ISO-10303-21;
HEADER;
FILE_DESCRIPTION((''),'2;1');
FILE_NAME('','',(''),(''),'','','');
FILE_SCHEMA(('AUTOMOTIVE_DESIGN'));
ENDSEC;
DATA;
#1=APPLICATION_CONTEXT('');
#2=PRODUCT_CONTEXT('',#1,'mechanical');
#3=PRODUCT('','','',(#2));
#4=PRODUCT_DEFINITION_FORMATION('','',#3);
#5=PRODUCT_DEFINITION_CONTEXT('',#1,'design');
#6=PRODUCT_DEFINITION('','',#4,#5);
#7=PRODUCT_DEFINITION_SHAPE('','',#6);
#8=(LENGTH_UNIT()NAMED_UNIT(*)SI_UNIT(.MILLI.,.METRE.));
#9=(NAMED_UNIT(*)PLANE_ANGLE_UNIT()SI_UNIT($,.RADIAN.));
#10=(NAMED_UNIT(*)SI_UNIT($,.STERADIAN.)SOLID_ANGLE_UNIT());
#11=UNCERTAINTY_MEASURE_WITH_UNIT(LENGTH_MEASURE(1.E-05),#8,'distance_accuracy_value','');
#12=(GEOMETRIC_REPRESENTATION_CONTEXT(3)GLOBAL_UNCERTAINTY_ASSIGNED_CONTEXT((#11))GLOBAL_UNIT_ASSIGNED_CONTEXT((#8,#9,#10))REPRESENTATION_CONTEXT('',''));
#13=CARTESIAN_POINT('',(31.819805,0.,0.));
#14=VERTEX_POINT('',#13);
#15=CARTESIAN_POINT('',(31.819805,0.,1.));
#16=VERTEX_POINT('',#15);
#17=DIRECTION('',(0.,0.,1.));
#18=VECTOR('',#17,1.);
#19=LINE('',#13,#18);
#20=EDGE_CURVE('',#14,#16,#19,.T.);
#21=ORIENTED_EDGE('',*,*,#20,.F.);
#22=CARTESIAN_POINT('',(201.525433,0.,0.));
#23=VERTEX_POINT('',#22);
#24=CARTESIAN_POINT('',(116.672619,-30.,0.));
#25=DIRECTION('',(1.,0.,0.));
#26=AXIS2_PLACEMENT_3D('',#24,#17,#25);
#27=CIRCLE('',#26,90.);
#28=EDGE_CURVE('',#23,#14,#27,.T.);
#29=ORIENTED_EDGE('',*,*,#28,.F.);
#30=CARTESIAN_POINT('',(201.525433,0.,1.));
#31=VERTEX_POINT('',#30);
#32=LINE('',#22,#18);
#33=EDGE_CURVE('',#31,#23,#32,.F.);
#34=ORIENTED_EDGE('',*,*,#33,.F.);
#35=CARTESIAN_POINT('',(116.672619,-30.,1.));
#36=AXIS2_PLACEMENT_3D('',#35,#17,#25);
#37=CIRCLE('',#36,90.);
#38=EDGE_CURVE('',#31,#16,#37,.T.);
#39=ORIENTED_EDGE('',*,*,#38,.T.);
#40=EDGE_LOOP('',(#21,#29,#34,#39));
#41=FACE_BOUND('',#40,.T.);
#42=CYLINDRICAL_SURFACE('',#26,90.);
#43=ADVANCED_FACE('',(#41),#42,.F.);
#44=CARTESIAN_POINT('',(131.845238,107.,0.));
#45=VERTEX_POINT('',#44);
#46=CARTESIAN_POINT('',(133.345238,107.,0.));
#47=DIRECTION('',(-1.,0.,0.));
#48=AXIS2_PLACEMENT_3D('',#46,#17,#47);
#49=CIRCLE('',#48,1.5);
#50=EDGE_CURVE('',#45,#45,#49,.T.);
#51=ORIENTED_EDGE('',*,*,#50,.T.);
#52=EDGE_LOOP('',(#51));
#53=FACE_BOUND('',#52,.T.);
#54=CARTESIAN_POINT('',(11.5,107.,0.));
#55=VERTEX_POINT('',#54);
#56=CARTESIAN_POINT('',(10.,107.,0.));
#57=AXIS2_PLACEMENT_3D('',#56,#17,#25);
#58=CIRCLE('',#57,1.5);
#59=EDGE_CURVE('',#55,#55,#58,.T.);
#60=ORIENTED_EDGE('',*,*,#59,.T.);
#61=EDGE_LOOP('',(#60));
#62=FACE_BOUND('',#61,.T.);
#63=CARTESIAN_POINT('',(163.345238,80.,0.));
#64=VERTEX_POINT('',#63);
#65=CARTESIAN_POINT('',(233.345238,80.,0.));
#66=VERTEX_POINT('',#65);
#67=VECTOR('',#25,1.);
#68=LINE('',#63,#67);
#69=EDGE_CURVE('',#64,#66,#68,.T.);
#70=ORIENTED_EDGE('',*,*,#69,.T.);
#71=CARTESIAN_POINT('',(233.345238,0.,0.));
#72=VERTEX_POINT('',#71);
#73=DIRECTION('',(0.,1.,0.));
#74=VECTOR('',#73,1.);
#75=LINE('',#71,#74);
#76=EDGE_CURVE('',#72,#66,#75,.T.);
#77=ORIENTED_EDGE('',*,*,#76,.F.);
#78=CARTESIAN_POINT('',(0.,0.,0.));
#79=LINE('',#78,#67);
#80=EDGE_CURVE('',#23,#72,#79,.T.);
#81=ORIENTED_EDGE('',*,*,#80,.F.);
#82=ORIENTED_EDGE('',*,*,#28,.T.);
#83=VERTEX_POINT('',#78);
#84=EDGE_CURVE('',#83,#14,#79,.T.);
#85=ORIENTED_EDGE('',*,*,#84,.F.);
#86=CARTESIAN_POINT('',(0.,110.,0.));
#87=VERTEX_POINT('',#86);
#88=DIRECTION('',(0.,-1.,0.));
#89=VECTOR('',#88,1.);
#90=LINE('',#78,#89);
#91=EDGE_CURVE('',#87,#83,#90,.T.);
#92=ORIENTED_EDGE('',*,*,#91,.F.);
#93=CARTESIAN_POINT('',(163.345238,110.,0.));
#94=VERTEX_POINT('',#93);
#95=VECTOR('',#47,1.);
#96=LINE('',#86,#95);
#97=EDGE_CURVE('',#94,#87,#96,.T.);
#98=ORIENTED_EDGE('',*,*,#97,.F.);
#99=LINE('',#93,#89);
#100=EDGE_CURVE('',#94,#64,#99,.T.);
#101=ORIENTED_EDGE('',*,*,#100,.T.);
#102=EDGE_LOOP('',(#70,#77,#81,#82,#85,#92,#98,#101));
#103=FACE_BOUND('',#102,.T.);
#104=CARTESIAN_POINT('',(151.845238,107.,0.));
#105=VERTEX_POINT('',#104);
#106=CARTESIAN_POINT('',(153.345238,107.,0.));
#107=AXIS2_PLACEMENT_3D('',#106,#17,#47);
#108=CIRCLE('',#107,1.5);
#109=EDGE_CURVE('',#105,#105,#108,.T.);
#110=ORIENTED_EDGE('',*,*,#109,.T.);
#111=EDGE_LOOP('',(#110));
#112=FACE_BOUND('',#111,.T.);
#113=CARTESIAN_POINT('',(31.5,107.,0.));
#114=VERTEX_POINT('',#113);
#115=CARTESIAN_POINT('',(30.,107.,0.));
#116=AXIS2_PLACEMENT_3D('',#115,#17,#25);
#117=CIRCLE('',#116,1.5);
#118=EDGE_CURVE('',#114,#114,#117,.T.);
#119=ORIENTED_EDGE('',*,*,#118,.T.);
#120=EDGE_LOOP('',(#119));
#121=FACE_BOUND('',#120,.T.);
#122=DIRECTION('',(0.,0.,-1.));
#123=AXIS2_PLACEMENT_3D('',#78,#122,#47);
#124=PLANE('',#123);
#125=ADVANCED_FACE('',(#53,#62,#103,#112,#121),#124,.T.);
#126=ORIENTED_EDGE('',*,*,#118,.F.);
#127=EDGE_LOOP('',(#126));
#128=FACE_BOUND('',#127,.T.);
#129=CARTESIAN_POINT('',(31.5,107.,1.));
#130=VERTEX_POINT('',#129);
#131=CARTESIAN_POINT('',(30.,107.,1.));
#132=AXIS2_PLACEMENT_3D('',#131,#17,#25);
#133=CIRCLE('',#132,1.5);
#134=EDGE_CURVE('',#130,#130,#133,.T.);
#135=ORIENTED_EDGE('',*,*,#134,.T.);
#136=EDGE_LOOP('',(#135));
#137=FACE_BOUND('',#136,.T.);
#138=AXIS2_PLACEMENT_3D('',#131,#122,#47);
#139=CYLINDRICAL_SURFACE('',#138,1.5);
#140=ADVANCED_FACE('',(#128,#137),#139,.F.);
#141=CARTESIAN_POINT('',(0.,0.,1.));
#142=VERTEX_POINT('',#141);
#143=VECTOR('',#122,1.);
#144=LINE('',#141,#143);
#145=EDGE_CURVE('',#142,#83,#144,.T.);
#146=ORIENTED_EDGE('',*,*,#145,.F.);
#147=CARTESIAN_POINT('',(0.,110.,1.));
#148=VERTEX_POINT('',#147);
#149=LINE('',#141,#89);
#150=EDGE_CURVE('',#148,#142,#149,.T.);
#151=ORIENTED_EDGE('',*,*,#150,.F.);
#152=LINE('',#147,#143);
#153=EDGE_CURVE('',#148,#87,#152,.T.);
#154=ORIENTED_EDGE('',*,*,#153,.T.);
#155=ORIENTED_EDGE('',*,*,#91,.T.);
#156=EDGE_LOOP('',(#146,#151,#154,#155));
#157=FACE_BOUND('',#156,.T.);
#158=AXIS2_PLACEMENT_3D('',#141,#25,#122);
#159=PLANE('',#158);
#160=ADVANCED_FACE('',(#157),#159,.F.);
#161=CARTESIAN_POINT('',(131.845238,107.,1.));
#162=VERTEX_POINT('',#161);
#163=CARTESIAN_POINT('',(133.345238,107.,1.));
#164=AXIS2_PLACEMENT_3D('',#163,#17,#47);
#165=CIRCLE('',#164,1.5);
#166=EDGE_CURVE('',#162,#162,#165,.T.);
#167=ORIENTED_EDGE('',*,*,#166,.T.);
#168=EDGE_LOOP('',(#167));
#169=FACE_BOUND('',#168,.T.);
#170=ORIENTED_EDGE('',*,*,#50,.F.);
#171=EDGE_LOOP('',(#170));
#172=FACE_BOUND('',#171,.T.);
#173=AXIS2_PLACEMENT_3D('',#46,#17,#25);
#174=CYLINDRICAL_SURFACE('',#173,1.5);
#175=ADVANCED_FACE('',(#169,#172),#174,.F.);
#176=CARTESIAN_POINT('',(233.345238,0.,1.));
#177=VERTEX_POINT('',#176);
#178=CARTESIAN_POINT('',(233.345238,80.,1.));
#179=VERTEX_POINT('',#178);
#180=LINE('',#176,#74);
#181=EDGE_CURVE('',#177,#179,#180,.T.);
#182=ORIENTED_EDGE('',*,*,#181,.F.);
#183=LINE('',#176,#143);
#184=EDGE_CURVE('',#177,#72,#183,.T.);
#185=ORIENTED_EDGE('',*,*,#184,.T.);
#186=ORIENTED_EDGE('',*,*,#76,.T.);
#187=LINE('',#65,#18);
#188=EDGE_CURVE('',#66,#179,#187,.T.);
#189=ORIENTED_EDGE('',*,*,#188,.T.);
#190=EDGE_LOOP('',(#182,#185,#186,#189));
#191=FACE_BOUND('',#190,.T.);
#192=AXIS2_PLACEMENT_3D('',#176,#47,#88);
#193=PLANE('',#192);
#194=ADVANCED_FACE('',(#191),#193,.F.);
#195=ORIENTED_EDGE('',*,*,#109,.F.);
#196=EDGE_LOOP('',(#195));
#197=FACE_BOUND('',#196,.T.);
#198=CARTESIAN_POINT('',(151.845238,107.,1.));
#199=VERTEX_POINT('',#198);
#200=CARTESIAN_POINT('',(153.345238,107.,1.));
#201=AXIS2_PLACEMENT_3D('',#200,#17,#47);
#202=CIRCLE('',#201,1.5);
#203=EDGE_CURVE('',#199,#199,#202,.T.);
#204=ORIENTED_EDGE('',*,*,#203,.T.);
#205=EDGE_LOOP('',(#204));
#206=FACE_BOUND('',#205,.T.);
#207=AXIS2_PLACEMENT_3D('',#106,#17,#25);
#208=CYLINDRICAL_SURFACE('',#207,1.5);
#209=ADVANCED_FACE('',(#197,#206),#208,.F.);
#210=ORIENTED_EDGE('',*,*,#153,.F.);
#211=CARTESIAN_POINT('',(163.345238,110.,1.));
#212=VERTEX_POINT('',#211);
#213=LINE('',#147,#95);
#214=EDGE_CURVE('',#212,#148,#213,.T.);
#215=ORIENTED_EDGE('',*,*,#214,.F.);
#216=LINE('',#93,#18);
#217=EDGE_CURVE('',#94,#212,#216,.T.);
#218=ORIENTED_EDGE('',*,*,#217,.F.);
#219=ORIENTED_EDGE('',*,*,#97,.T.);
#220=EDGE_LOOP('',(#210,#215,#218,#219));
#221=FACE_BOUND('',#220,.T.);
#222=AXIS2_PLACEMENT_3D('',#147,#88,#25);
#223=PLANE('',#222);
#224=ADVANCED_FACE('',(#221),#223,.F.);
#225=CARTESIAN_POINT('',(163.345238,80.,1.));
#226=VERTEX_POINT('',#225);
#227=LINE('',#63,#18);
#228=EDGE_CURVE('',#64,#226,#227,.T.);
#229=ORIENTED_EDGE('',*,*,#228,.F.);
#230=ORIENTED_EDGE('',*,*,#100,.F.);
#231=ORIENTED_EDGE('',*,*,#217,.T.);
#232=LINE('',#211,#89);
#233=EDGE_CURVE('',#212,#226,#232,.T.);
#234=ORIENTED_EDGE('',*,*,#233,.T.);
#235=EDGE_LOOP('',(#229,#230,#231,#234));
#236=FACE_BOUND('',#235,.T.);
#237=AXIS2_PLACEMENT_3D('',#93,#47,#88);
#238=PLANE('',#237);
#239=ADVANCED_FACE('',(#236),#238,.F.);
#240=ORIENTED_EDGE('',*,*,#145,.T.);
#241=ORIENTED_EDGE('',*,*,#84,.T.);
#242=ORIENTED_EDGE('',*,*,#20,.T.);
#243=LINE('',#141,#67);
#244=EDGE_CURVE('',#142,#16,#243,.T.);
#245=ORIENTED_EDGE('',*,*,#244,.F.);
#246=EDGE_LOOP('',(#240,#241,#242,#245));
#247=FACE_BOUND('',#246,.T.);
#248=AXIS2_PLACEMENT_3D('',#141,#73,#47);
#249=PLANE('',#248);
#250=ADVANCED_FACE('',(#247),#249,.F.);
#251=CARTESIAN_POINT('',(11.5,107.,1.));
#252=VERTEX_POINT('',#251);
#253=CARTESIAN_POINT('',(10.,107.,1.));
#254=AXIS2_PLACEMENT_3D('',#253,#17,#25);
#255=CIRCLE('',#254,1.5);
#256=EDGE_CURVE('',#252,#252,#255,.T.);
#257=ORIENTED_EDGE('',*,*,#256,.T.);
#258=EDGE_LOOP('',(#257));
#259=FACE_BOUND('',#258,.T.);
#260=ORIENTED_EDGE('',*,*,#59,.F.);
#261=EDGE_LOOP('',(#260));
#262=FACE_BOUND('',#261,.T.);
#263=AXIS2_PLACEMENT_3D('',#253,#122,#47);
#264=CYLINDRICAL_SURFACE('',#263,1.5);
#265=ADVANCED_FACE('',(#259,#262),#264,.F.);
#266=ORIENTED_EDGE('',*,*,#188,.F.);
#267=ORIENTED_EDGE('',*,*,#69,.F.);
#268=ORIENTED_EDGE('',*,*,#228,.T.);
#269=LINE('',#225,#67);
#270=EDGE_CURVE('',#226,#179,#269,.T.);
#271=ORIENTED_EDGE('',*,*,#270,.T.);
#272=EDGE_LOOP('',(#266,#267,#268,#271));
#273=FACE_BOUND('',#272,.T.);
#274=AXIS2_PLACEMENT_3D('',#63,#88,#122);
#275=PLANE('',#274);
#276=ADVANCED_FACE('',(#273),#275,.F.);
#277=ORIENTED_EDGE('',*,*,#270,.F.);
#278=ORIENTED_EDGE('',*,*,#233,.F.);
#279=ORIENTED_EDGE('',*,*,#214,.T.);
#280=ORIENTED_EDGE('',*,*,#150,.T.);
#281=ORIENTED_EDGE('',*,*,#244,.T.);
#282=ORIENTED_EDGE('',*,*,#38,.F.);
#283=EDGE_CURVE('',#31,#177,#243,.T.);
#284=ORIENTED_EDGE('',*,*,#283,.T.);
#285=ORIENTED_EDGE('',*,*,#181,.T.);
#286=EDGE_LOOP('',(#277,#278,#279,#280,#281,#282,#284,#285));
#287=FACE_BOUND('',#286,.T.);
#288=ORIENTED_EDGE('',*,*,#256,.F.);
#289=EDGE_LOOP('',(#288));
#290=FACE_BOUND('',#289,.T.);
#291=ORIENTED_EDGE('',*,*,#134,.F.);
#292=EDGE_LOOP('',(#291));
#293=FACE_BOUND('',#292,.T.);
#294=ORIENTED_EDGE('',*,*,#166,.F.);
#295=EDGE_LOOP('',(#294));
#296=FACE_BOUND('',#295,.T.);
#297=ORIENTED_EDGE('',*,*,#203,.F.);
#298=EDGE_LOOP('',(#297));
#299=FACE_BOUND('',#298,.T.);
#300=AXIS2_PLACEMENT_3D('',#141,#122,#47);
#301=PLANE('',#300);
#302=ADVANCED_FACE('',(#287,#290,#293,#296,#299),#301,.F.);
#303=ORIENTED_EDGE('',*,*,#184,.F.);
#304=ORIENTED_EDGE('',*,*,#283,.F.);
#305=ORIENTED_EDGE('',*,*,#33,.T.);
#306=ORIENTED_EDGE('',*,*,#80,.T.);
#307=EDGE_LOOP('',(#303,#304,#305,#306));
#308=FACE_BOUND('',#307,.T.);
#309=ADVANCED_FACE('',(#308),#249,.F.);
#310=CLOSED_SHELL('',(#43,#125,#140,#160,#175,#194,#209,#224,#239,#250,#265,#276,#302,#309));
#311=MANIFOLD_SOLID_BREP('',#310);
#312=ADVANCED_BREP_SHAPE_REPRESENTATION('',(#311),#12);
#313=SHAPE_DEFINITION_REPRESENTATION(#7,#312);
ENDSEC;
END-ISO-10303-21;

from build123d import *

# Parameters (mm, degrees)
SKETCH_1_W          = 233.345237792
SKETCH_1_H          = 110
SKETCH_1_R          = 1.5
EXTRUDE_1_DEPTH     = 1
SKETCH_2_W          = 70
SKETCH_2_H          = 30
CUT_EXTRUDE_1_DEPTH = 258.974804971
SKETCH_3_R          = 1.5
CUT_EXTRUDE_2_DEPTH = 258.974804971
SKETCH_4_R          = 90
CUT_EXTRUDE_3_DEPTH = 258.974804971


with BuildPart() as part:
    # 草图1 → 凸台-拉伸1 (new body)
    with BuildSketch(Plane.XY):
        with Locations((116.672618896, 55)):
            Rectangle(SKETCH_1_W, SKETCH_1_H)
        with Locations((10, 107)):
            Circle(SKETCH_1_R, mode=Mode.SUBTRACT)
        with Locations((30, 107)):
            Circle(SKETCH_1_R, mode=Mode.SUBTRACT)
        with Locations(Location((203.345237792, 107, 0), (0, 0, 180))):
            Circle(SKETCH_1_R, mode=Mode.SUBTRACT)
        with Locations(Location((223.345237792, 107, 0), (0, 0, 180))):
            Circle(SKETCH_1_R, mode=Mode.SUBTRACT)
    extrude(amount=EXTRUDE_1_DEPTH)

    # 草图2 → 切除-拉伸1 (cut, through all)
    with BuildSketch(Plane.XY.offset(1)):
        with Locations((198.345237792, 95)):
            Rectangle(SKETCH_2_W, SKETCH_2_H)
    extrude(amount=-CUT_EXTRUDE_1_DEPTH, mode=Mode.SUBTRACT)

    # 草图3 → 切除-拉伸2 (cut, through all)
    with BuildSketch(Plane.XY.offset(1)):
        with Locations((10, 107)):
            Circle(SKETCH_3_R)
        with Locations((30, 107)):
            Circle(SKETCH_3_R)
        with Locations(Location((133.345237792, 107, 0), (0, 0, 180))):
            Circle(SKETCH_3_R)
        with Locations(Location((153.345237792, 107, 0), (0, 0, 180))):
            Circle(SKETCH_3_R)
    extrude(amount=-CUT_EXTRUDE_2_DEPTH, mode=Mode.SUBTRACT)

    # 草图4 → 切除-拉伸3 (cut, through all)
    with BuildSketch(Plane.XY.offset(1)):
        with Locations((116.672618896, -30)):
            Circle(SKETCH_4_R)
    extrude(amount=-CUT_EXTRUDE_3_DEPTH, mode=Mode.SUBTRACT)


solid = part.part
